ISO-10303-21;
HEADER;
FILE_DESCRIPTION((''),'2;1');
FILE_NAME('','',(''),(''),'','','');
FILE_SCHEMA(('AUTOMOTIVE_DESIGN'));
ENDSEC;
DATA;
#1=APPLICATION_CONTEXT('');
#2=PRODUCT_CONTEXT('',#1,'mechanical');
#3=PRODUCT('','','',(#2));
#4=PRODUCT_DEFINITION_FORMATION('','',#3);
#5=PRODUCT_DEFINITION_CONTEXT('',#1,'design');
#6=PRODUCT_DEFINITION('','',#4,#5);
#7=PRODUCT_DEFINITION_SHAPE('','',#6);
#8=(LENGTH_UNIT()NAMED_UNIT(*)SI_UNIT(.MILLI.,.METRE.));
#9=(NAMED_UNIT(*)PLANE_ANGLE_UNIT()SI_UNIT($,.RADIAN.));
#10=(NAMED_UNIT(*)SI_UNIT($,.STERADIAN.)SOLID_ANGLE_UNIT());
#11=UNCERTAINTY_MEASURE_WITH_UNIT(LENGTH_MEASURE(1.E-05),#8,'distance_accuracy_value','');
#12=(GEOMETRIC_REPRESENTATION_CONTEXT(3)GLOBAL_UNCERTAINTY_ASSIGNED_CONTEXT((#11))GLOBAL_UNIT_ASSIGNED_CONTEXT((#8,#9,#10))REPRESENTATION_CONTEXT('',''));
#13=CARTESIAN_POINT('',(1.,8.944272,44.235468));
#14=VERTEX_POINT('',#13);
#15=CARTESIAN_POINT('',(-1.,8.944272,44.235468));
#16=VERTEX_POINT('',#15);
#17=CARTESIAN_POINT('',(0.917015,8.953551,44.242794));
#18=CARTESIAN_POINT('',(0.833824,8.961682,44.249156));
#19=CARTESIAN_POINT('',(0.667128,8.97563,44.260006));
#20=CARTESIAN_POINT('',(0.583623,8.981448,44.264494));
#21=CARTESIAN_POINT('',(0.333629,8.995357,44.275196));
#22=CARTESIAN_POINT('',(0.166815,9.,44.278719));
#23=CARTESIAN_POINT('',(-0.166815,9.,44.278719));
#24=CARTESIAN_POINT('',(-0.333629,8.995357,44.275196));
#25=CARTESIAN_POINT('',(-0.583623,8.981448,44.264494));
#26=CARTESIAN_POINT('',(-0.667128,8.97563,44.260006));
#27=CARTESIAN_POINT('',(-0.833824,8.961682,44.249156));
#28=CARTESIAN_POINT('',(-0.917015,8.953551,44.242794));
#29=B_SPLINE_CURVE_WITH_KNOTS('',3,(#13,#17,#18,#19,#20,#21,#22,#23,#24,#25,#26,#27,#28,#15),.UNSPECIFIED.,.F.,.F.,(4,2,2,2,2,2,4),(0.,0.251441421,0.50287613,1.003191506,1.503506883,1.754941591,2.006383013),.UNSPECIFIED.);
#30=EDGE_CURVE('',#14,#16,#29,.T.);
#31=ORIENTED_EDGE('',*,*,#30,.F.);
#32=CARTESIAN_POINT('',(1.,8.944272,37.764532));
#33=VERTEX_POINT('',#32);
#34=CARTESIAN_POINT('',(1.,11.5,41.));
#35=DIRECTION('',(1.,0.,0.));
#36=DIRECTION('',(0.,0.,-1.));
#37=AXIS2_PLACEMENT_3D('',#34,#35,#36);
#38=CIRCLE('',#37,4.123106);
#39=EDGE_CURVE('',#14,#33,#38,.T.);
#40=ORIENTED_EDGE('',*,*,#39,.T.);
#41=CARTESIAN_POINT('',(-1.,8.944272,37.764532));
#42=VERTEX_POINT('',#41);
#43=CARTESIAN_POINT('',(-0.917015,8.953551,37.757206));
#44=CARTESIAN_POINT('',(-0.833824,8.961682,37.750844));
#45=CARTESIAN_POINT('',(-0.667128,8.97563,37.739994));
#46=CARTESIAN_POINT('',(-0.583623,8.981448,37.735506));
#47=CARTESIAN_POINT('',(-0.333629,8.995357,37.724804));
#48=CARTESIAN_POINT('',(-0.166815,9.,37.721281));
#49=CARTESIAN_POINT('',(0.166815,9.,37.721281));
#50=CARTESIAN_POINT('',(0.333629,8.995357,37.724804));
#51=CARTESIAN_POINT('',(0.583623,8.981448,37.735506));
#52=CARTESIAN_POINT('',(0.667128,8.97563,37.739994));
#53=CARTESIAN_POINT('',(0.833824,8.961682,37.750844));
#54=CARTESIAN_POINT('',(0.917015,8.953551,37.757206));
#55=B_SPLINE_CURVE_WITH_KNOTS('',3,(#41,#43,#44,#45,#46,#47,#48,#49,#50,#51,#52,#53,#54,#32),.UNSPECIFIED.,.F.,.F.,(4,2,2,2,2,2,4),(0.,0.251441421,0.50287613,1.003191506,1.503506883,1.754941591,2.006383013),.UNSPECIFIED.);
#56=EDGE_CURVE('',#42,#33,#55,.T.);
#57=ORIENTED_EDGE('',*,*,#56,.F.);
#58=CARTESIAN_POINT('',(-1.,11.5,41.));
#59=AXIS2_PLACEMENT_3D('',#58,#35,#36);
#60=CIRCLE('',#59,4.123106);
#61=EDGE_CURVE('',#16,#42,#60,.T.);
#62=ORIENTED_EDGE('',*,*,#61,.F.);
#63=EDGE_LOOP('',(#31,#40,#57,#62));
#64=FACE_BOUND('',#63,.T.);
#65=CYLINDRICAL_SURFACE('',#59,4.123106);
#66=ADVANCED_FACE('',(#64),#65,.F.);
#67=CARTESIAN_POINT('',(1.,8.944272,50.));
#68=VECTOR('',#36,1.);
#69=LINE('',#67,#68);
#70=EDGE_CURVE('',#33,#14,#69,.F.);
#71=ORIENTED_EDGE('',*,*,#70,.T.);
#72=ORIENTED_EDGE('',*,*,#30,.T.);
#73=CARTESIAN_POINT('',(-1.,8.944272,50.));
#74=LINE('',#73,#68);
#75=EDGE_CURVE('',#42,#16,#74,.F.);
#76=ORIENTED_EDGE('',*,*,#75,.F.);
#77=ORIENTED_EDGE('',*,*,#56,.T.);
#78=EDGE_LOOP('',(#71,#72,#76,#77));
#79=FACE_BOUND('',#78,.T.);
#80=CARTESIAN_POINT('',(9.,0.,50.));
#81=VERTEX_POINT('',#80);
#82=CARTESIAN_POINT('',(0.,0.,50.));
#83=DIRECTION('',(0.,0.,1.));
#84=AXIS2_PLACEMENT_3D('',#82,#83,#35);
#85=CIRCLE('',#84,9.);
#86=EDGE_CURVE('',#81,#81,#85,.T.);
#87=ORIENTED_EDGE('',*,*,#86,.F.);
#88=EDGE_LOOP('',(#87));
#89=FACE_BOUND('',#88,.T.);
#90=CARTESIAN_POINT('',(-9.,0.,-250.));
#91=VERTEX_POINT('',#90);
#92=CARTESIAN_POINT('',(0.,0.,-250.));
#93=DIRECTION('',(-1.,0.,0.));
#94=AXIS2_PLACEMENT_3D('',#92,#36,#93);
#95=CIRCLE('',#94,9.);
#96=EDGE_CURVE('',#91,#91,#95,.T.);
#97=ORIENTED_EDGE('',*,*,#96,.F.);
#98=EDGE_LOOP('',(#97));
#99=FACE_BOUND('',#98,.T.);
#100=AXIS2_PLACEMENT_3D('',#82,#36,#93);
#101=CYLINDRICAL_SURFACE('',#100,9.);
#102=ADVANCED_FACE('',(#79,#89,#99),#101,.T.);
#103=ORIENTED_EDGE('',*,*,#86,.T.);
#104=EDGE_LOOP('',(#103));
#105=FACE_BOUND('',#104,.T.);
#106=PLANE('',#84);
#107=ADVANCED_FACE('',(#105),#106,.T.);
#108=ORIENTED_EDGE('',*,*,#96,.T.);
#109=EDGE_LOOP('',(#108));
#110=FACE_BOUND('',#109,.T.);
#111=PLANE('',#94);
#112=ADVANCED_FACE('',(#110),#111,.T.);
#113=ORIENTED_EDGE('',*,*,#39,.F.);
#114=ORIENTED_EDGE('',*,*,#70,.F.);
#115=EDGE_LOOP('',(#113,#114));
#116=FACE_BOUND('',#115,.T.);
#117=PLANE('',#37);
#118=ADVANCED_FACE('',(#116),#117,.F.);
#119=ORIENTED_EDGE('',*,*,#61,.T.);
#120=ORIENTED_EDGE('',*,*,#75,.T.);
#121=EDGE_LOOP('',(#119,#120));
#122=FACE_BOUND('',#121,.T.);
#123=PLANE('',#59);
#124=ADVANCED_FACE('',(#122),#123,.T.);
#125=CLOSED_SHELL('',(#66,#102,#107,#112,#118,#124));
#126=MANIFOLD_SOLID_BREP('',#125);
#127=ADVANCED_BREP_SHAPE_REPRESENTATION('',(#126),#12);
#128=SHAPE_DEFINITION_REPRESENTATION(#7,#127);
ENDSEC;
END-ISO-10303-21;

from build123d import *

# Parameters (mm, degrees)
SKETCH1_R           = 9
BOSS_EXTRUDE1_DEPTH = 50
CUT_EXTRUDE1_DEPTH  = 1
SKETCH3_R           = 9
BOSS_EXTRUDE2_DEPTH = 200


with BuildPart() as part:
    # Sketch1 → Boss-Extrude1 (new, symmetric)
    with BuildSketch(Plane.XY):
        Circle(SKETCH1_R)
    extrude(amount=BOSS_EXTRUDE1_DEPTH, both=True)

    # Sketch2 → Cut-Extrude1 (cut, symmetric)
    with BuildSketch(Plane(origin=(0, 0, 0), x_dir=(0, 0, -1), z_dir=(1, 0, 0))):
        with BuildLine():
            Line((-45, 10.5), (-37, 10.5))
            ThreePointArc((-37, 10.5), (-41, 7.376894374), (-45, 10.5))
        make_face()
    extrude(amount=CUT_EXTRUDE1_DEPTH, both=True, mode=Mode.SUBTRACT)

    # Sketch3 → Boss-Extrude2 (add)
    with BuildSketch(Plane(origin=(0, 0, -50), x_dir=(-1, 0, 0), z_dir=(0, 0, -1))):
        Circle(SKETCH3_R)
    extrude(amount=BOSS_EXTRUDE2_DEPTH)


solid = part.part
